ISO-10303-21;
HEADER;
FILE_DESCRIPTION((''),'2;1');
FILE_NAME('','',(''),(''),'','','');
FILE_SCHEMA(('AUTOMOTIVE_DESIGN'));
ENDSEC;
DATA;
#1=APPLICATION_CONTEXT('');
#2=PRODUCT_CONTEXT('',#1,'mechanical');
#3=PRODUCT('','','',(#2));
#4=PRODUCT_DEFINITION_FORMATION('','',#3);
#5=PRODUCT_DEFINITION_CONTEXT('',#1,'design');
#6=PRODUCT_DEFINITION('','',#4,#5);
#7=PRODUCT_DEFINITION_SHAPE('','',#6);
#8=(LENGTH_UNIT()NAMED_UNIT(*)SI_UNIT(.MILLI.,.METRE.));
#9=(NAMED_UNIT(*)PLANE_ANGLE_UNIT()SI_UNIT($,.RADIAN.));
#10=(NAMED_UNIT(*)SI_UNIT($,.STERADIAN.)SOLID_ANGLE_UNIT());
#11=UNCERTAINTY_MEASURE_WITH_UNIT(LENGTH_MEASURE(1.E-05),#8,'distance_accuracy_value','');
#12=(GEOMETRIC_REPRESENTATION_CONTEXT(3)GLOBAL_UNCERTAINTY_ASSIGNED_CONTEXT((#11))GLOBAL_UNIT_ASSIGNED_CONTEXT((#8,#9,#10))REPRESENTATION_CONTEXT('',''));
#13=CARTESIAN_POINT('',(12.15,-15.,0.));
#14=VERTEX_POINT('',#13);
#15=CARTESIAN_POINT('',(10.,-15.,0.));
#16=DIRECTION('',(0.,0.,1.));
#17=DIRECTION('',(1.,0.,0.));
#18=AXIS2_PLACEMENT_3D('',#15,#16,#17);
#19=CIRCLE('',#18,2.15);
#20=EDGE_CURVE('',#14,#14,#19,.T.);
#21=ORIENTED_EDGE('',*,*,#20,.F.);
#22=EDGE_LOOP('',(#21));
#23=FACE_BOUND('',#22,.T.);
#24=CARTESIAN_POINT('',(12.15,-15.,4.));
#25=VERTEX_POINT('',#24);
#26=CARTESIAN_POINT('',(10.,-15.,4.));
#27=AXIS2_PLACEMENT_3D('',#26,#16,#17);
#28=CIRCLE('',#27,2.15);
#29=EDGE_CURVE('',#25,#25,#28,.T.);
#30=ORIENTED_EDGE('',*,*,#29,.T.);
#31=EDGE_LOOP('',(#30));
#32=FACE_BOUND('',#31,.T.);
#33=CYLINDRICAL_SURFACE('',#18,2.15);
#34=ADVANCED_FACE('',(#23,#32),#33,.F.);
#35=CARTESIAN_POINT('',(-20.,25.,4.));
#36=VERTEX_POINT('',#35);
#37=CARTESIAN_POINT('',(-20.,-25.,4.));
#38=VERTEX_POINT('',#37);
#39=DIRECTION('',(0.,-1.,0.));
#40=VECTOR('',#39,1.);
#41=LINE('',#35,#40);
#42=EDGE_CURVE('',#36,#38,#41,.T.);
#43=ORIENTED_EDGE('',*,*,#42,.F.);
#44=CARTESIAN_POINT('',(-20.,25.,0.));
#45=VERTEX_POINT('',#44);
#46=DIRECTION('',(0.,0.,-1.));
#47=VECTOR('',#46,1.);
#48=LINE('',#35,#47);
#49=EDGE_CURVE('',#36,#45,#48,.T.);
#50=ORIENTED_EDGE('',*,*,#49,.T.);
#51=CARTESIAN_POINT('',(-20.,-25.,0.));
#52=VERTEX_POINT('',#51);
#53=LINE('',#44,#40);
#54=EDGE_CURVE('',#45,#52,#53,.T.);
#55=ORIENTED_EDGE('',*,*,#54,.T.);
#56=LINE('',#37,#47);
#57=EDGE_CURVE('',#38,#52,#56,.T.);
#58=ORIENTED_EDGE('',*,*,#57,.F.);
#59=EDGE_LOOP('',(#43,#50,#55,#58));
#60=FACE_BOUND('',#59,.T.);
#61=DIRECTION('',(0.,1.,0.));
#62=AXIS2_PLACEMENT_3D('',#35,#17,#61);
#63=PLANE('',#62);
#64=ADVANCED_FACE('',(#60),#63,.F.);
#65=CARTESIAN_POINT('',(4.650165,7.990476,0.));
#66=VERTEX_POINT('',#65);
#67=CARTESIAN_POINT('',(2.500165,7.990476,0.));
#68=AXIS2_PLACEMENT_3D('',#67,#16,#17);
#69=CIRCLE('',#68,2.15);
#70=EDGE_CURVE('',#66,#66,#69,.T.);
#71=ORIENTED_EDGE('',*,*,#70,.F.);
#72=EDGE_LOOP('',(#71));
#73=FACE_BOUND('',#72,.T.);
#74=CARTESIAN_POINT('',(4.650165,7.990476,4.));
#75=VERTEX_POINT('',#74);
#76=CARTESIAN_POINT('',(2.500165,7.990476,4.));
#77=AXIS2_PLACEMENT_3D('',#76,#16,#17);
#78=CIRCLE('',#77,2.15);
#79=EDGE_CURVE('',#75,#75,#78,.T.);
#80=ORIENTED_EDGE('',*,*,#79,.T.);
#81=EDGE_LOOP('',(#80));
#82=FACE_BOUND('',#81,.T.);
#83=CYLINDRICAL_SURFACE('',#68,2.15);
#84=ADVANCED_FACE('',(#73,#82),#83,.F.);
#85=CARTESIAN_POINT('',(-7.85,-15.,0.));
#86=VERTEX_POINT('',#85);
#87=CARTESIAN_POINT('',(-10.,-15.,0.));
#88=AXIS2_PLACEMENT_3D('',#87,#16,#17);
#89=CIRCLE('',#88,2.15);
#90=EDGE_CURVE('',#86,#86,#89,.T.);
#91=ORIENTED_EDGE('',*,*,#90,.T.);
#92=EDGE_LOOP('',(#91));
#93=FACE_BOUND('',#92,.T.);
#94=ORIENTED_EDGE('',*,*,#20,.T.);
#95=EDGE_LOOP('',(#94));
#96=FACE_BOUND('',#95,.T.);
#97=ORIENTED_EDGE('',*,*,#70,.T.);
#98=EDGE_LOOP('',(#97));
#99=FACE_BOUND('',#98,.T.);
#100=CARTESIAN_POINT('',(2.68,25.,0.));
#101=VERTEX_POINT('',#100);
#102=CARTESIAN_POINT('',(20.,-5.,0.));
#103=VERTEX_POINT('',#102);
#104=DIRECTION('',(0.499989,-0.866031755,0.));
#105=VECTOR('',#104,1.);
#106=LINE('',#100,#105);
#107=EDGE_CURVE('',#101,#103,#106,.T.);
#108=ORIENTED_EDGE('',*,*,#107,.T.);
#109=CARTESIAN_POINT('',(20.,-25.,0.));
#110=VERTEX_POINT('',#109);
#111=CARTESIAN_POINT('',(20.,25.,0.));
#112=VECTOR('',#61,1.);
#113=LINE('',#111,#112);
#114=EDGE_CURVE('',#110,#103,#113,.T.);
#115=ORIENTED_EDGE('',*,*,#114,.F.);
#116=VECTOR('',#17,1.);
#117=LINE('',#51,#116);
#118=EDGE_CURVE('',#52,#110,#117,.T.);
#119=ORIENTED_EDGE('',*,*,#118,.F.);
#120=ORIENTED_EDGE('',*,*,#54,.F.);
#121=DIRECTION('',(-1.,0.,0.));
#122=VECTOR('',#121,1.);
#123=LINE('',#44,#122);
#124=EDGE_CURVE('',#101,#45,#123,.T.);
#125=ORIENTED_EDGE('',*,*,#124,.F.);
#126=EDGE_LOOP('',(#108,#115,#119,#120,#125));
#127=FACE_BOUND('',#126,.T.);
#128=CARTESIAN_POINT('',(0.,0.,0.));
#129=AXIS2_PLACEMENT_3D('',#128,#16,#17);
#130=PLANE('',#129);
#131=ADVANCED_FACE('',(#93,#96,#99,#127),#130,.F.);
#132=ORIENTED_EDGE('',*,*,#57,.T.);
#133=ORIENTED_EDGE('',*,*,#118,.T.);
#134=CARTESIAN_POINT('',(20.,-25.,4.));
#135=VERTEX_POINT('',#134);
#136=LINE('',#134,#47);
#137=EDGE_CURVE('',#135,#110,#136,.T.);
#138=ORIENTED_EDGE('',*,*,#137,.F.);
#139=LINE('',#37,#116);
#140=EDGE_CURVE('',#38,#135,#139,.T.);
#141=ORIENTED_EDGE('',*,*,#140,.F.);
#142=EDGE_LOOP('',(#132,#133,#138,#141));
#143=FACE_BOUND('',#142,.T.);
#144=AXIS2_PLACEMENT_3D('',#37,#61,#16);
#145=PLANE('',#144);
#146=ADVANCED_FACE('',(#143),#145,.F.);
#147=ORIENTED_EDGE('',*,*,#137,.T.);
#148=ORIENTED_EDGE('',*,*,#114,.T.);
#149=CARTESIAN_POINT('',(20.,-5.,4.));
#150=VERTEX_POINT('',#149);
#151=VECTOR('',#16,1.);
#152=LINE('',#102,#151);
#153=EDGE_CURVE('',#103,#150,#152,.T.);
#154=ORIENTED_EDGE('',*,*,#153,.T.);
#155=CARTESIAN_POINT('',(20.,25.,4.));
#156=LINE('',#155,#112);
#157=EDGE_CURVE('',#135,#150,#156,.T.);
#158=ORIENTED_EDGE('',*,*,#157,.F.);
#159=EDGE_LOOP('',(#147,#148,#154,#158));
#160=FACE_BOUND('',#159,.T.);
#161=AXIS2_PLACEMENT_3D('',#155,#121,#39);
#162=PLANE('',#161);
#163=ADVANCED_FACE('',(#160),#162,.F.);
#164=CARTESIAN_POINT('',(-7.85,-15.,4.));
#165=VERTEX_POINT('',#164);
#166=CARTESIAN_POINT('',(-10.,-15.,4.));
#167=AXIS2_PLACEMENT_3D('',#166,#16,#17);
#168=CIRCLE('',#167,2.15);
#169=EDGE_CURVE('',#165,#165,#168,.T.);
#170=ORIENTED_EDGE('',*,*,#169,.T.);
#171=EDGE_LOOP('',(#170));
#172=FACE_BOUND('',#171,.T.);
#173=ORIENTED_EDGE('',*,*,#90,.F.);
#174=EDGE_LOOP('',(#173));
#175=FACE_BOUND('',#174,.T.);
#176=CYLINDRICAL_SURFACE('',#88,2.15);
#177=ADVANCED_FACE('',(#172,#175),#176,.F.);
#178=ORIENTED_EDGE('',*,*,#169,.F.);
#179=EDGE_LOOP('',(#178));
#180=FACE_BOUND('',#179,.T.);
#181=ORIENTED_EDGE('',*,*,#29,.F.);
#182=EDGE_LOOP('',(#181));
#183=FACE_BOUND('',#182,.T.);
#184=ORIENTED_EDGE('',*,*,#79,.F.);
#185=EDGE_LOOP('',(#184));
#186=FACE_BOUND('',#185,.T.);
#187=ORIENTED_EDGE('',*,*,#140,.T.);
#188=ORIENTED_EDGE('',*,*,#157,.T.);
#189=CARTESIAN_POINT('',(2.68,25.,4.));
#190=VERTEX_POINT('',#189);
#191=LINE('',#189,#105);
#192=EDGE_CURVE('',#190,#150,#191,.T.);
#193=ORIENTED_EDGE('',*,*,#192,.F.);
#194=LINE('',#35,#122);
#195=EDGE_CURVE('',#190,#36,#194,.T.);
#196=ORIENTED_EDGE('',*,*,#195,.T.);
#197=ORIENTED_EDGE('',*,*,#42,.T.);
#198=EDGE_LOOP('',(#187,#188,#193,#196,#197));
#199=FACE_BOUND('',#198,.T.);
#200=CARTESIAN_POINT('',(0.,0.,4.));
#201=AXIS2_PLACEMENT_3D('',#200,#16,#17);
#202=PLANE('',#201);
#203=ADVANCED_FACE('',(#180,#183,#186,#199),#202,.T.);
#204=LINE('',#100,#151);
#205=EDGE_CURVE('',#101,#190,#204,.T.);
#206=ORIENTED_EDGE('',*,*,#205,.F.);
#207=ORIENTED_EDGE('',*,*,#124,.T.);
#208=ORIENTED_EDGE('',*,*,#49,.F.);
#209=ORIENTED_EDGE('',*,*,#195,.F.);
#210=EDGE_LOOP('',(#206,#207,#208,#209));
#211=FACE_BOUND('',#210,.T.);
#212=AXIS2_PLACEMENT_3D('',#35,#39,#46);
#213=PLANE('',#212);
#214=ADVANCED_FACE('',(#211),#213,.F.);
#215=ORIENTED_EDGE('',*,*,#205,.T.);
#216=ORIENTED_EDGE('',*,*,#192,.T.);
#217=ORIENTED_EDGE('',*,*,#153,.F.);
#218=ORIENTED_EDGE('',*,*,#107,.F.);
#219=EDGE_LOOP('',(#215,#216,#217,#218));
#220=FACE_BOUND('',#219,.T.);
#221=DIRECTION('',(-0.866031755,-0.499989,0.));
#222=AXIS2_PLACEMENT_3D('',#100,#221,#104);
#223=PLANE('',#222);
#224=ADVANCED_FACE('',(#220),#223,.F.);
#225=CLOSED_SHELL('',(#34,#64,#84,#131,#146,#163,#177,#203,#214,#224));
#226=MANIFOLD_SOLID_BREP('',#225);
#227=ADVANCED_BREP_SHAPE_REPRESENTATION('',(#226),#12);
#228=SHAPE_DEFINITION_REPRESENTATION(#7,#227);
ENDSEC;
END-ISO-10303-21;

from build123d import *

# Parameters (mm, degrees)
SKETCH1_W           = 40
SKETCH1_H           = 50
BOSS_EXTRUDE1_DEPTH = 4
CUT_EXTRUDE2_DEPTH  = 33.26453161
SKETCH4_R           = 2.15
CUT_EXTRUDE3_DEPTH  = 33.26453161
SKETCH5_R           = 2.15
CUT_EXTRUDE4_DEPTH  = 33.26453161
SKETCH8_R           = 2.15
CUT_EXTRUDE5_DEPTH  = 33.26453161


with BuildPart() as part:
    # Sketch1 → Boss-Extrude1 (new body)
    with BuildSketch(Plane.XY):
        Rectangle(SKETCH1_W, SKETCH1_H)
    extrude(amount=BOSS_EXTRUDE1_DEPTH)

    # Sketch3 → Cut-Extrude2 (cut, through all)
    with BuildSketch(Plane.XY.offset(4)):
        Polygon((2.68, 25), (20, -5), (20, 25), align=None)
    extrude(amount=-CUT_EXTRUDE2_DEPTH, mode=Mode.SUBTRACT)

    # Sketch4 → Cut-Extrude3 (cut, through all)
    with BuildSketch(Plane.XY.offset(4)):
        with Locations((2.500165004, 7.990476321)):
            Circle(SKETCH4_R)
    extrude(amount=-CUT_EXTRUDE3_DEPTH, mode=Mode.SUBTRACT)

    # Sketch5 → Cut-Extrude4 (cut, through all)
    with BuildSketch(Plane.XY.offset(4)):
        with Locations((-10, -15)):
            Circle(SKETCH5_R)
    extrude(amount=-CUT_EXTRUDE4_DEPTH, mode=Mode.SUBTRACT)

    # Sketch8 → Cut-Extrude5 (cut, through all)
    with BuildSketch(Plane.XY.offset(4)):
        with Locations((10, -15)):
            Circle(SKETCH8_R)
    extrude(amount=-CUT_EXTRUDE5_DEPTH, mode=Mode.SUBTRACT)


solid = part.part
